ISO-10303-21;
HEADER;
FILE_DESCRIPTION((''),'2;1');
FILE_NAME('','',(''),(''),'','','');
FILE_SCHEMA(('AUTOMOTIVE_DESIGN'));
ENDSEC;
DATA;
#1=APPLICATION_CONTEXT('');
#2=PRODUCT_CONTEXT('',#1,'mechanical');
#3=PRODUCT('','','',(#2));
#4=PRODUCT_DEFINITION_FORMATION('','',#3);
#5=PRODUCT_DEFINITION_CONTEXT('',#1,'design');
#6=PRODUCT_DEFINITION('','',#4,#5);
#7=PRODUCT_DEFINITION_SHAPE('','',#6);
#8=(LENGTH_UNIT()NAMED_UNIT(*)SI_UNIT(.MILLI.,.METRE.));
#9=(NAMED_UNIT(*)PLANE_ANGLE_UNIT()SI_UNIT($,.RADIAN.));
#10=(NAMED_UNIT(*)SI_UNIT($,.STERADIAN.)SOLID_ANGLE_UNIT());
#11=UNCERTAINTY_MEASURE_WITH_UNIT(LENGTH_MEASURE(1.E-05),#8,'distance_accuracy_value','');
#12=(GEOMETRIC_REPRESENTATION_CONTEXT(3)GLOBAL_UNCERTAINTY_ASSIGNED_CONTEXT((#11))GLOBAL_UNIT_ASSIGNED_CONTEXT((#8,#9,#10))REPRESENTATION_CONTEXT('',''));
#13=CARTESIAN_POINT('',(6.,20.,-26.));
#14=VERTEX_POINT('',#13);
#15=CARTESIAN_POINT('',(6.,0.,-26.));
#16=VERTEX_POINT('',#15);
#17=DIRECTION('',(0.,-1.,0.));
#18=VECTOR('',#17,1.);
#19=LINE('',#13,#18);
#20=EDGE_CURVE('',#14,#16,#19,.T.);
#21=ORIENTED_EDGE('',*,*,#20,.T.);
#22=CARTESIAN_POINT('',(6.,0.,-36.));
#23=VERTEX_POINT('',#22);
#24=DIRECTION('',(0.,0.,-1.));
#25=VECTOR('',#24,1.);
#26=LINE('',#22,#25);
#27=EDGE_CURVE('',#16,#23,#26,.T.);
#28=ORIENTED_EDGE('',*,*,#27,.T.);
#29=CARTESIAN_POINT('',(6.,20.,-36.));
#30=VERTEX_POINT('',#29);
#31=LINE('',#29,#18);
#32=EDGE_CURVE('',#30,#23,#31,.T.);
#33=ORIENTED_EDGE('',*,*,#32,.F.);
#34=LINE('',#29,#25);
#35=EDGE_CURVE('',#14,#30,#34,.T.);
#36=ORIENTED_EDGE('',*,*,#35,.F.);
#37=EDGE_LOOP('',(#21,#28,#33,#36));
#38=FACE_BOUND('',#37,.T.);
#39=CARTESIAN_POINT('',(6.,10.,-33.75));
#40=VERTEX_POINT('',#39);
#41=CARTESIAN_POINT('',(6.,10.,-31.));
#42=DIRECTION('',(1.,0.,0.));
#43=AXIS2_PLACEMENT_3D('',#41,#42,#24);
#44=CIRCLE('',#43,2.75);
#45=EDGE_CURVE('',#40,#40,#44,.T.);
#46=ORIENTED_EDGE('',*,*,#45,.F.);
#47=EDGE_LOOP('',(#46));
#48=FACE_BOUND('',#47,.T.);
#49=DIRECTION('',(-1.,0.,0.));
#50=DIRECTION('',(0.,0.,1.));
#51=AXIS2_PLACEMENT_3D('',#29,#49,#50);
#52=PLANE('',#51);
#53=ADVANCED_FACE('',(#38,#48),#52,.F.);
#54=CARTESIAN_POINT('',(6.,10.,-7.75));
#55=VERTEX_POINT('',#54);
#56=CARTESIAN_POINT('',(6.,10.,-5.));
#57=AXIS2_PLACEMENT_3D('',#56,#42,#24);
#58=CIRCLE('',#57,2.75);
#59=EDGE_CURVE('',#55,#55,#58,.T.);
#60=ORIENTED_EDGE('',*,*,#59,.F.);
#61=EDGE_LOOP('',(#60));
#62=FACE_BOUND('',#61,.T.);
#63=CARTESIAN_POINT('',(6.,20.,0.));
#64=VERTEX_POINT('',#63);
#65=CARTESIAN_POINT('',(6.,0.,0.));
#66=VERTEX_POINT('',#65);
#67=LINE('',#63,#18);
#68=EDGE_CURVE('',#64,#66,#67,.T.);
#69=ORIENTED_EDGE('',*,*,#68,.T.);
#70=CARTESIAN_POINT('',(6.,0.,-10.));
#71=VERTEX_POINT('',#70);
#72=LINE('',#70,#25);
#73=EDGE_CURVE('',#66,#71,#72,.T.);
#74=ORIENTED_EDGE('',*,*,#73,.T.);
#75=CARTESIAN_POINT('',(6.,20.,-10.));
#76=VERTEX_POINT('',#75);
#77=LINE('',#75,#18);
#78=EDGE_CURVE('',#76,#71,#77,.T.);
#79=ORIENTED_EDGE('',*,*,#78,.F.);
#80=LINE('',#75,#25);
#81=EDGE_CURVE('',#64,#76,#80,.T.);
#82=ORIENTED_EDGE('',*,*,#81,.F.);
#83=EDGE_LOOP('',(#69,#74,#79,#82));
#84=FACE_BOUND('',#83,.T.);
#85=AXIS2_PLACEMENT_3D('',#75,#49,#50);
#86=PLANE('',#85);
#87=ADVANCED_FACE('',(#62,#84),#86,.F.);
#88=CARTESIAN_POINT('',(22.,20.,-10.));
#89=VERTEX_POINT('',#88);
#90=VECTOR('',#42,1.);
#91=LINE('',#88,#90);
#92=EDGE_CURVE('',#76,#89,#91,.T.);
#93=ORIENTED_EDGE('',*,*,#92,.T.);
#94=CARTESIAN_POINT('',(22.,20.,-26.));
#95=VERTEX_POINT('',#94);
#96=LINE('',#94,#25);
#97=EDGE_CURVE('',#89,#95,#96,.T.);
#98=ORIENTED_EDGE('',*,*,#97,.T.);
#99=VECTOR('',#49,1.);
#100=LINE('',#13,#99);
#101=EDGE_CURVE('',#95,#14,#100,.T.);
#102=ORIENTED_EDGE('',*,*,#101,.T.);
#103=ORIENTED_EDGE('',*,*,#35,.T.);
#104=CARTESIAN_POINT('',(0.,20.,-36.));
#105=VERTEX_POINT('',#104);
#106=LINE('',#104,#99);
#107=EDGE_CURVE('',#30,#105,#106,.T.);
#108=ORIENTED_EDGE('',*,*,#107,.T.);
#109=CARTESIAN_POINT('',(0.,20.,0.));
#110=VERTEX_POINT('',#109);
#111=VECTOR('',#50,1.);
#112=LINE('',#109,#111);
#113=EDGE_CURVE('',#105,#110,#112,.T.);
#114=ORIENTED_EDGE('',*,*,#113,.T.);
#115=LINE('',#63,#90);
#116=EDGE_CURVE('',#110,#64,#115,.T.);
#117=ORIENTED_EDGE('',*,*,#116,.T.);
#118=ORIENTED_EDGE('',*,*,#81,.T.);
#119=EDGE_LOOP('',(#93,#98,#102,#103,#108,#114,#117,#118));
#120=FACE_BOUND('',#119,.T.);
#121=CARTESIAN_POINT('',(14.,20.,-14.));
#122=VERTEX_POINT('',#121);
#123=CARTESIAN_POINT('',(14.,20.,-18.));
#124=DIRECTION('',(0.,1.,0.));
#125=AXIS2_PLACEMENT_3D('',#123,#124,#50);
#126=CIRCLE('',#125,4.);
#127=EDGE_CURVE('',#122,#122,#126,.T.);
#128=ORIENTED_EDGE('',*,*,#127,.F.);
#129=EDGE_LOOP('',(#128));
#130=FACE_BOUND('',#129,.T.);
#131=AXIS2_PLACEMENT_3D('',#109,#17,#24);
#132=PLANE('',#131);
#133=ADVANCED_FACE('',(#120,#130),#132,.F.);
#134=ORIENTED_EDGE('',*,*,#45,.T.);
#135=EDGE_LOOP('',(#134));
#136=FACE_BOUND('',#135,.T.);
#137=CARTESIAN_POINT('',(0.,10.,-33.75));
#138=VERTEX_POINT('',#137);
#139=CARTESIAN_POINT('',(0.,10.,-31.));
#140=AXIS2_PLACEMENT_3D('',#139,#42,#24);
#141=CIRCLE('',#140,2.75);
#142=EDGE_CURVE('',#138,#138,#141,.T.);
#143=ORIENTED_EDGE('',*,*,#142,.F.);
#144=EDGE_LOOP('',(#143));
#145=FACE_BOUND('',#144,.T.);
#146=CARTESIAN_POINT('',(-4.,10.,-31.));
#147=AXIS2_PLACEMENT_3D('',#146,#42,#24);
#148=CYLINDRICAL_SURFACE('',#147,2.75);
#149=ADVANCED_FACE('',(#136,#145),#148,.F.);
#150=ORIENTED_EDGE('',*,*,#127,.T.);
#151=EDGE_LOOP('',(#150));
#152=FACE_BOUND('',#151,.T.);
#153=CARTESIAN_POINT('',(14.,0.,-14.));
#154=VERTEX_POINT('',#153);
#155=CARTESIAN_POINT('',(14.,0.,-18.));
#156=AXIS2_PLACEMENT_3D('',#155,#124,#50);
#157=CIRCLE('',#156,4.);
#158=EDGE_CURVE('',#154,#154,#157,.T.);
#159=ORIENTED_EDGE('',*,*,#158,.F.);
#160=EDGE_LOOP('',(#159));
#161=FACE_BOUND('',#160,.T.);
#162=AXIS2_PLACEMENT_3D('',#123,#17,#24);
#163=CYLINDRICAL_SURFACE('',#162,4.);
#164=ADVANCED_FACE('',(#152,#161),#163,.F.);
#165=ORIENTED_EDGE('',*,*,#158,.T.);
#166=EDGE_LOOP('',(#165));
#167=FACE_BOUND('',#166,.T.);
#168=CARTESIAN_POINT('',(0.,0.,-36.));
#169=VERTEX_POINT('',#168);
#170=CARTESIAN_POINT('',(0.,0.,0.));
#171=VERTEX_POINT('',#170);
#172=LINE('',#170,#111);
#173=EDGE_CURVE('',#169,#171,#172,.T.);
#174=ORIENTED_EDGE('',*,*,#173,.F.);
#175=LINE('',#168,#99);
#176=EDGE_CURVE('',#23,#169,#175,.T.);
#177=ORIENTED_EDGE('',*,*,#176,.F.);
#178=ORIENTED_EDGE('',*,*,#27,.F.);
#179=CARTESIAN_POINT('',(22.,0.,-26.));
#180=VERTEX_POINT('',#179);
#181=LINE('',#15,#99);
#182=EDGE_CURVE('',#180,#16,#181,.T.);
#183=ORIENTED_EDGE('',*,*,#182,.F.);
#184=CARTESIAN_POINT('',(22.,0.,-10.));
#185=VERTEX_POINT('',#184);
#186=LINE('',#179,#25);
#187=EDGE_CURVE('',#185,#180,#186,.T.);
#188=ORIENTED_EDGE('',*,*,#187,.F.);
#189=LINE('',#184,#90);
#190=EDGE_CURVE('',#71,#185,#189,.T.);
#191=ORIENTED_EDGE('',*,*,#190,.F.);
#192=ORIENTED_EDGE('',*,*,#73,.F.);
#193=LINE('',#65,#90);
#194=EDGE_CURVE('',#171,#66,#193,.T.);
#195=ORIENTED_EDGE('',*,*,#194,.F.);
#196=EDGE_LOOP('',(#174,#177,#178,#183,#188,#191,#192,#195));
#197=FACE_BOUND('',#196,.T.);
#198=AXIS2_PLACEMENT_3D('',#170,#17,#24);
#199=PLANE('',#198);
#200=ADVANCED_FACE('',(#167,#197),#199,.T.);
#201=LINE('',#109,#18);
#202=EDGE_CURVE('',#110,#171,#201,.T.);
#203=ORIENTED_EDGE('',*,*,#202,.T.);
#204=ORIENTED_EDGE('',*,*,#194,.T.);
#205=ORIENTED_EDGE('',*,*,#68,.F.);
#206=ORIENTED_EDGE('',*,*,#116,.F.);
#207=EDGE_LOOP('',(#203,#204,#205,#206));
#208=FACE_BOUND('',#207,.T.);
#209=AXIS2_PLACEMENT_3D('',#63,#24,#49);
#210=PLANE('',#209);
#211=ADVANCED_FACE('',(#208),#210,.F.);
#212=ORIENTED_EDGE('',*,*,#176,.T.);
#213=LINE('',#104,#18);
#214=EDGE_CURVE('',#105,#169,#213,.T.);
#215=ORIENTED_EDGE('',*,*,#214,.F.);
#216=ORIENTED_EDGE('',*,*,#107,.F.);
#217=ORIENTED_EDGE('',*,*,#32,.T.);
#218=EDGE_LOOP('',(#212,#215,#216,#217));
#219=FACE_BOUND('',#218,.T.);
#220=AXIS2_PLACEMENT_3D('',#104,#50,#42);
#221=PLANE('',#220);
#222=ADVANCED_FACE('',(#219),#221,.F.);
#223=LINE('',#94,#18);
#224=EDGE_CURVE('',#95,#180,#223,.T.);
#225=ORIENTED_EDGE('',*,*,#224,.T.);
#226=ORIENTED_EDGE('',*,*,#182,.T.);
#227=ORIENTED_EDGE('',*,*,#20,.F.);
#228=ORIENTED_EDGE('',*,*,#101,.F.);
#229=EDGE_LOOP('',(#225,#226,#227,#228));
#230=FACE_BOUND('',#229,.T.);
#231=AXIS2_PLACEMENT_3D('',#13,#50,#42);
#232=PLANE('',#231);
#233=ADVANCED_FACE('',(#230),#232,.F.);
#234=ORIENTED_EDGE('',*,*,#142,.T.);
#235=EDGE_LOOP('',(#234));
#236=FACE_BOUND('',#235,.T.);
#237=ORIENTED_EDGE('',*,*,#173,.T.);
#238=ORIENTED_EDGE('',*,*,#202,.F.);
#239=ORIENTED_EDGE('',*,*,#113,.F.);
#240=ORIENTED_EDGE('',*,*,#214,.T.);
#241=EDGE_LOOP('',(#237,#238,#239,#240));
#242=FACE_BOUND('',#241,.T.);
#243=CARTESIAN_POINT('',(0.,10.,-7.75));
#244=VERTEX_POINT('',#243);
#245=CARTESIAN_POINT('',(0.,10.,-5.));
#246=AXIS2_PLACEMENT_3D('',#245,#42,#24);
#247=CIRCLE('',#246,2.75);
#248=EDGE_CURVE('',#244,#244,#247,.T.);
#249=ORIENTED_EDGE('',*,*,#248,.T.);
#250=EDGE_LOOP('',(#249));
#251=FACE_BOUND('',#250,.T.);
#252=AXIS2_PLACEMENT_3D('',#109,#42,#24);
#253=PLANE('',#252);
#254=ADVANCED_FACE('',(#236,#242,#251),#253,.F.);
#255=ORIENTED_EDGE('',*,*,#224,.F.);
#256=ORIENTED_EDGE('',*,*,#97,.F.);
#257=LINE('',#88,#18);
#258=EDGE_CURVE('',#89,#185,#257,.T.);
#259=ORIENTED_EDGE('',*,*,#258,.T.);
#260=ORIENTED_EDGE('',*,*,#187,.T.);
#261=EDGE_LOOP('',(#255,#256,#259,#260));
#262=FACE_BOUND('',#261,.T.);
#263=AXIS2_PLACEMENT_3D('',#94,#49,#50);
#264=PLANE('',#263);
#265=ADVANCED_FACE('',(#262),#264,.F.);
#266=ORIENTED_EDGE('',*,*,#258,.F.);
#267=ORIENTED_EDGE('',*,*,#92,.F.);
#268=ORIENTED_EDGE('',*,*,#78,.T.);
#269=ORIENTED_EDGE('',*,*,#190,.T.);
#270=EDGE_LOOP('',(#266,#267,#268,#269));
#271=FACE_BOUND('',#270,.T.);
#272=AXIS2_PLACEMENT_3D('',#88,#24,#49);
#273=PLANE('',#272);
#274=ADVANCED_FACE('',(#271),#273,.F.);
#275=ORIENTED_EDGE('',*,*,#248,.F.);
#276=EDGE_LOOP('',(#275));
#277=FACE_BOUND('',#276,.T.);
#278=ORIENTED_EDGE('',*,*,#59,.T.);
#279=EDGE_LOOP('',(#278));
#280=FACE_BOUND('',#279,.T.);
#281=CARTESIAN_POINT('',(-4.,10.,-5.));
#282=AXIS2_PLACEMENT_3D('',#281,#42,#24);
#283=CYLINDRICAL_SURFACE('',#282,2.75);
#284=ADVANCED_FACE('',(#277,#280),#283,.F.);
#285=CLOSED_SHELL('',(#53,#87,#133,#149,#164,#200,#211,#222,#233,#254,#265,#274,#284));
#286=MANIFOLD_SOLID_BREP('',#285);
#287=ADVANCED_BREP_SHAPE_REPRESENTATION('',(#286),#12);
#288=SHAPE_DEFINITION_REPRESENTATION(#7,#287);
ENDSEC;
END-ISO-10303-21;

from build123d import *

# Parameters (mm, degrees)
SKETCH1_R           = 4
BOSS_EXTRUDE1_DEPTH = 20
SKETCH2_R           = 2.75
CUT_EXTRUDE1_DEPTH  = 10


with BuildPart() as part:
    # Sketch1 → Boss-Extrude1 (new body)
    with BuildSketch(Plane(origin=(0, 0, 0), x_dir=(1, 0, 0), z_dir=(0, 1, 0))):
        Polygon((0, 0), (0, 36), (6, 36), (6, 26), (22, 26), (22, 10), (6, 10), (6, 0), align=None)
        with Locations(Location((14, 18, 0), (0, 0, 270))):
            Circle(SKETCH1_R, mode=Mode.SUBTRACT)
    extrude(amount=BOSS_EXTRUDE1_DEPTH)

    # Sketch2 → Cut-Extrude1 (cut)
    with BuildSketch(Plane(origin=(6, 0, 0), x_dir=(0, 0, -1), z_dir=(1, 0, 0))):
        with Locations((5, 10)):
            Circle(SKETCH2_R)
        with Locations((31, 10)):
            Circle(SKETCH2_R)
    extrude(amount=-CUT_EXTRUDE1_DEPTH, mode=Mode.SUBTRACT)


solid = part.part
